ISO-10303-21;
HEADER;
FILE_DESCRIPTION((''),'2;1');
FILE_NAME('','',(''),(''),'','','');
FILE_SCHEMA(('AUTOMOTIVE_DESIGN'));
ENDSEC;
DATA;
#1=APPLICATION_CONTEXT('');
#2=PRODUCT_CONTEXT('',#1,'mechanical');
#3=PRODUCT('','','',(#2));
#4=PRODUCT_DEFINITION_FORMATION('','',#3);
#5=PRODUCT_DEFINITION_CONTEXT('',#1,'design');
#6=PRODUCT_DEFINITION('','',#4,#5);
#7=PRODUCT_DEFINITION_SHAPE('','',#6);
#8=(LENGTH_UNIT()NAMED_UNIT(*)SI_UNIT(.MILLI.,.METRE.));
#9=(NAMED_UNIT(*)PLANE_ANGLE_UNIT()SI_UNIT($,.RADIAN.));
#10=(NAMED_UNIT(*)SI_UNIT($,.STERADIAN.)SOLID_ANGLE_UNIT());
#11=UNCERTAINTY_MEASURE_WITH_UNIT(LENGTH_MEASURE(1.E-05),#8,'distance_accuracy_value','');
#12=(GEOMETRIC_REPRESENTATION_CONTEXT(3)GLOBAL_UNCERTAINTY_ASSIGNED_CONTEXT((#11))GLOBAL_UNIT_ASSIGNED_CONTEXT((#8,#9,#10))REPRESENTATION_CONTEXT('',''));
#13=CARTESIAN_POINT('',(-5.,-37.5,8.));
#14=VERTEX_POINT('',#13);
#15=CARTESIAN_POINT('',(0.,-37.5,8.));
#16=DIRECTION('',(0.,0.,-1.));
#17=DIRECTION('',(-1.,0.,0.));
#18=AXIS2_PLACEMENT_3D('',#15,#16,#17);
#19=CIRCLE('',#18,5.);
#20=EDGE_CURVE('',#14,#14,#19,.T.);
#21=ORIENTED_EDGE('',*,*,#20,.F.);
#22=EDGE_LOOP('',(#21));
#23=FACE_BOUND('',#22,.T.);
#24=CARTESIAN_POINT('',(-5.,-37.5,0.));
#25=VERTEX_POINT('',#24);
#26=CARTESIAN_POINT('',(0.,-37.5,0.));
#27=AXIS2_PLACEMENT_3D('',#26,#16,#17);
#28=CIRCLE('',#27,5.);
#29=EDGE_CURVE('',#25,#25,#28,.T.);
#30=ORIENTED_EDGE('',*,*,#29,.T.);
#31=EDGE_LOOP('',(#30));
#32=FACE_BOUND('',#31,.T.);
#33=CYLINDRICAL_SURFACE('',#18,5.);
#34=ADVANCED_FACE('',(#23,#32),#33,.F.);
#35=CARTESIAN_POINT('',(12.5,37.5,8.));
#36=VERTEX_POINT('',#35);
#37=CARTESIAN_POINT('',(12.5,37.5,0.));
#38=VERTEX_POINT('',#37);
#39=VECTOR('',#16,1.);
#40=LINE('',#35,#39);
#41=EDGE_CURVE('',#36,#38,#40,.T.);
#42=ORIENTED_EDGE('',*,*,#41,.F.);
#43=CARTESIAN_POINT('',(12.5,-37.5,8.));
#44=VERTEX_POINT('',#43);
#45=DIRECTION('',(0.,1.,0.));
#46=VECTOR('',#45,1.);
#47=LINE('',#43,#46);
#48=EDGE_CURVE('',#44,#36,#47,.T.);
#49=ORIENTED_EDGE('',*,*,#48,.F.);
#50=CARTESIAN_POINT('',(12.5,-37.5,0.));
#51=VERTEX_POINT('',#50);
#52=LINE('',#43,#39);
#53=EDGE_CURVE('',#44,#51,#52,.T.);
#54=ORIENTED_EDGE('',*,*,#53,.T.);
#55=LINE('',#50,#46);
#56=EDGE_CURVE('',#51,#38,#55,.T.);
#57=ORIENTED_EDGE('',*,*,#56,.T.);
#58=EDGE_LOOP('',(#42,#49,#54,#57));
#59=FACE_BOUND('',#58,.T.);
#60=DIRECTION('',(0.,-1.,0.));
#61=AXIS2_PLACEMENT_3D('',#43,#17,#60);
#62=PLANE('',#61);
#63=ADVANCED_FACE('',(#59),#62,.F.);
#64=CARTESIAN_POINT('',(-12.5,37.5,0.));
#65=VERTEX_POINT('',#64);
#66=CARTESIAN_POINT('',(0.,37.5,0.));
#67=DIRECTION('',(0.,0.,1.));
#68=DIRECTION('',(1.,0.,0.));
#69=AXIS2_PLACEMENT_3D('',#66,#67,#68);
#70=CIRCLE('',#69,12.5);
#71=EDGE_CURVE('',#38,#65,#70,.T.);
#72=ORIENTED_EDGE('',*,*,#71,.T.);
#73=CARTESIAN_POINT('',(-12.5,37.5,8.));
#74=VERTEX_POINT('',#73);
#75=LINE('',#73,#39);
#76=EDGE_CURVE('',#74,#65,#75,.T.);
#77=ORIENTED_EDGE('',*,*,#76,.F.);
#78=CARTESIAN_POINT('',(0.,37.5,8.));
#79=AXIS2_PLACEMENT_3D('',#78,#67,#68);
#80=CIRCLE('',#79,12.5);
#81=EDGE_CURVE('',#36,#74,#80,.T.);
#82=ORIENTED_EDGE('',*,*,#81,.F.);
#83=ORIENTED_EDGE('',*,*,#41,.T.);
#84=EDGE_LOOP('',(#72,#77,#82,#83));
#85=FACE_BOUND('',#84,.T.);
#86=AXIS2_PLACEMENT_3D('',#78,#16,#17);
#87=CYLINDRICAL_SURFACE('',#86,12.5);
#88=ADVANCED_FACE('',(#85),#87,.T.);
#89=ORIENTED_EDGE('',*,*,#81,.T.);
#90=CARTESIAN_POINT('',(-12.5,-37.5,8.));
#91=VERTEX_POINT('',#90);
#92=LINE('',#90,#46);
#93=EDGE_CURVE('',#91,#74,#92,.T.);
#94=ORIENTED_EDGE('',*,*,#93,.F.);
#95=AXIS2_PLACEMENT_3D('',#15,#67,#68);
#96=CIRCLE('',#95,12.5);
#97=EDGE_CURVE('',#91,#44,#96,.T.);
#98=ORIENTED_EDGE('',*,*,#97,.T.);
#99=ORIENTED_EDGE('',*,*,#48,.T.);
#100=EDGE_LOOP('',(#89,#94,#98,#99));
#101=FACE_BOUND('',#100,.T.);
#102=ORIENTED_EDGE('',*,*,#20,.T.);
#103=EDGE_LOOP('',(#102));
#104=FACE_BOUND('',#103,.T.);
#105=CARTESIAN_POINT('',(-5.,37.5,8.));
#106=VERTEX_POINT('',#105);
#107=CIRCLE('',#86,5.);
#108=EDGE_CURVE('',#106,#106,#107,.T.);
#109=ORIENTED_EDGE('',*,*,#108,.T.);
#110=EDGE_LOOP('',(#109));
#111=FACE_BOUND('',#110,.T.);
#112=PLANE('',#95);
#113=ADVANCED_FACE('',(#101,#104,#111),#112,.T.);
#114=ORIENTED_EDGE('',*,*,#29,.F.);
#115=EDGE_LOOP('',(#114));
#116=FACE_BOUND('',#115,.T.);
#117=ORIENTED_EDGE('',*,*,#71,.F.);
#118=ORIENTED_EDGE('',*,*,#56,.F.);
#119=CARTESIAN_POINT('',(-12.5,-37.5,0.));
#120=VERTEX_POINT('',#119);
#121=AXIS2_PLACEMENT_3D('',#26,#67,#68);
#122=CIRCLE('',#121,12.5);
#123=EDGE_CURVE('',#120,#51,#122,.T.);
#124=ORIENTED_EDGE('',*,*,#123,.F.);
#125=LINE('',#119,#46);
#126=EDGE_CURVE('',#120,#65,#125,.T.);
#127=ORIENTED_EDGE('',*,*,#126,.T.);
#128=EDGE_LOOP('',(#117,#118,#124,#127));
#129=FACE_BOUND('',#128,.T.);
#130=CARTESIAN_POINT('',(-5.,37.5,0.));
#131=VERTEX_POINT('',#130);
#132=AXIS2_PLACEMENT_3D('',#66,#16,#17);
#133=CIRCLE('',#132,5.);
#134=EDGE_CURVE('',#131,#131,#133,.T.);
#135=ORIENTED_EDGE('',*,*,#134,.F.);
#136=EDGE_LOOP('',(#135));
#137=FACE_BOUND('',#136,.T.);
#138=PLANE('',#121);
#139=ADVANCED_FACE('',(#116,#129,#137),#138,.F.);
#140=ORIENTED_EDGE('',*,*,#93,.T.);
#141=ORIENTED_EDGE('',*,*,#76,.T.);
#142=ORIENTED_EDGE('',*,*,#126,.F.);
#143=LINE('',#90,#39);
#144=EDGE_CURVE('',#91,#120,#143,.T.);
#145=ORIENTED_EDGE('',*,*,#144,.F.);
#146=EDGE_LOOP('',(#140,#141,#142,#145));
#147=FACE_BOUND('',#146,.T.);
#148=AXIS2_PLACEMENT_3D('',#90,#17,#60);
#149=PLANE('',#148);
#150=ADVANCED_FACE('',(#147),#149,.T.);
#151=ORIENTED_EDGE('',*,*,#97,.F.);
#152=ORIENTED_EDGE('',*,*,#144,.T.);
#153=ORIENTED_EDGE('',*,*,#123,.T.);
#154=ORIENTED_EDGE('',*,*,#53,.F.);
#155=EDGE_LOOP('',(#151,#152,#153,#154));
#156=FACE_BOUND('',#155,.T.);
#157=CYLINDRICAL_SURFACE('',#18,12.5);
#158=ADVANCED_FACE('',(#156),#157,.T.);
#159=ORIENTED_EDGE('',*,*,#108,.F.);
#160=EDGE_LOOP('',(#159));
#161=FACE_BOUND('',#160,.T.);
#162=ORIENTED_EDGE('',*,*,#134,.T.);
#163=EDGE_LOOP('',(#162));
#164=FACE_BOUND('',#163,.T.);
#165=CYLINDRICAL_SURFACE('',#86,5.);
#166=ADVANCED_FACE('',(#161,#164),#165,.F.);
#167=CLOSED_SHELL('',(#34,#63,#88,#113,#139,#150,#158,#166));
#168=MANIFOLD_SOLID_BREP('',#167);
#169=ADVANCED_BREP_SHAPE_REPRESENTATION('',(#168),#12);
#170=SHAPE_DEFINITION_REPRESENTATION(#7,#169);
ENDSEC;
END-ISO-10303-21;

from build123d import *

# Parameters (mm, degrees)
BOSS_EXTRUDE1_DEPTH = 8
SKETCH2_R           = 5
CUT_EXTRUDE1_DEPTH  = 8


with BuildPart() as part:
    # Sketch1 → Boss-Extrude1 (new body)
    with BuildSketch(Plane(origin=(0, 0, 0), x_dir=(0, 1, 0), z_dir=(0, 0, 1))):
        with BuildLine():
            Line((-37.5, 12.5), (37.5, 12.5))
            ThreePointArc((37.5, 12.5), (50, 0), (37.5, -12.5))
            Line((37.5, -12.5), (-37.5, -12.5))
            ThreePointArc((-37.5, -12.5), (-50, 0), (-37.5, 12.5))
        make_face()
    extrude(amount=BOSS_EXTRUDE1_DEPTH)

    # Sketch2 → Cut-Extrude1 (cut)
    with BuildSketch(Plane(origin=(0, 0, 0), x_dir=(1, 0, 0), z_dir=(0, 0, -1))):
        with Locations(Location((0, 37.5, 0), (0, 0, 180))):
            Circle(SKETCH2_R)
        with Locations(Location((0, -37.5, 0), (0, 0, 180))):
            Circle(SKETCH2_R)
    extrude(amount=-CUT_EXTRUDE1_DEPTH, mode=Mode.SUBTRACT)


solid = part.part
